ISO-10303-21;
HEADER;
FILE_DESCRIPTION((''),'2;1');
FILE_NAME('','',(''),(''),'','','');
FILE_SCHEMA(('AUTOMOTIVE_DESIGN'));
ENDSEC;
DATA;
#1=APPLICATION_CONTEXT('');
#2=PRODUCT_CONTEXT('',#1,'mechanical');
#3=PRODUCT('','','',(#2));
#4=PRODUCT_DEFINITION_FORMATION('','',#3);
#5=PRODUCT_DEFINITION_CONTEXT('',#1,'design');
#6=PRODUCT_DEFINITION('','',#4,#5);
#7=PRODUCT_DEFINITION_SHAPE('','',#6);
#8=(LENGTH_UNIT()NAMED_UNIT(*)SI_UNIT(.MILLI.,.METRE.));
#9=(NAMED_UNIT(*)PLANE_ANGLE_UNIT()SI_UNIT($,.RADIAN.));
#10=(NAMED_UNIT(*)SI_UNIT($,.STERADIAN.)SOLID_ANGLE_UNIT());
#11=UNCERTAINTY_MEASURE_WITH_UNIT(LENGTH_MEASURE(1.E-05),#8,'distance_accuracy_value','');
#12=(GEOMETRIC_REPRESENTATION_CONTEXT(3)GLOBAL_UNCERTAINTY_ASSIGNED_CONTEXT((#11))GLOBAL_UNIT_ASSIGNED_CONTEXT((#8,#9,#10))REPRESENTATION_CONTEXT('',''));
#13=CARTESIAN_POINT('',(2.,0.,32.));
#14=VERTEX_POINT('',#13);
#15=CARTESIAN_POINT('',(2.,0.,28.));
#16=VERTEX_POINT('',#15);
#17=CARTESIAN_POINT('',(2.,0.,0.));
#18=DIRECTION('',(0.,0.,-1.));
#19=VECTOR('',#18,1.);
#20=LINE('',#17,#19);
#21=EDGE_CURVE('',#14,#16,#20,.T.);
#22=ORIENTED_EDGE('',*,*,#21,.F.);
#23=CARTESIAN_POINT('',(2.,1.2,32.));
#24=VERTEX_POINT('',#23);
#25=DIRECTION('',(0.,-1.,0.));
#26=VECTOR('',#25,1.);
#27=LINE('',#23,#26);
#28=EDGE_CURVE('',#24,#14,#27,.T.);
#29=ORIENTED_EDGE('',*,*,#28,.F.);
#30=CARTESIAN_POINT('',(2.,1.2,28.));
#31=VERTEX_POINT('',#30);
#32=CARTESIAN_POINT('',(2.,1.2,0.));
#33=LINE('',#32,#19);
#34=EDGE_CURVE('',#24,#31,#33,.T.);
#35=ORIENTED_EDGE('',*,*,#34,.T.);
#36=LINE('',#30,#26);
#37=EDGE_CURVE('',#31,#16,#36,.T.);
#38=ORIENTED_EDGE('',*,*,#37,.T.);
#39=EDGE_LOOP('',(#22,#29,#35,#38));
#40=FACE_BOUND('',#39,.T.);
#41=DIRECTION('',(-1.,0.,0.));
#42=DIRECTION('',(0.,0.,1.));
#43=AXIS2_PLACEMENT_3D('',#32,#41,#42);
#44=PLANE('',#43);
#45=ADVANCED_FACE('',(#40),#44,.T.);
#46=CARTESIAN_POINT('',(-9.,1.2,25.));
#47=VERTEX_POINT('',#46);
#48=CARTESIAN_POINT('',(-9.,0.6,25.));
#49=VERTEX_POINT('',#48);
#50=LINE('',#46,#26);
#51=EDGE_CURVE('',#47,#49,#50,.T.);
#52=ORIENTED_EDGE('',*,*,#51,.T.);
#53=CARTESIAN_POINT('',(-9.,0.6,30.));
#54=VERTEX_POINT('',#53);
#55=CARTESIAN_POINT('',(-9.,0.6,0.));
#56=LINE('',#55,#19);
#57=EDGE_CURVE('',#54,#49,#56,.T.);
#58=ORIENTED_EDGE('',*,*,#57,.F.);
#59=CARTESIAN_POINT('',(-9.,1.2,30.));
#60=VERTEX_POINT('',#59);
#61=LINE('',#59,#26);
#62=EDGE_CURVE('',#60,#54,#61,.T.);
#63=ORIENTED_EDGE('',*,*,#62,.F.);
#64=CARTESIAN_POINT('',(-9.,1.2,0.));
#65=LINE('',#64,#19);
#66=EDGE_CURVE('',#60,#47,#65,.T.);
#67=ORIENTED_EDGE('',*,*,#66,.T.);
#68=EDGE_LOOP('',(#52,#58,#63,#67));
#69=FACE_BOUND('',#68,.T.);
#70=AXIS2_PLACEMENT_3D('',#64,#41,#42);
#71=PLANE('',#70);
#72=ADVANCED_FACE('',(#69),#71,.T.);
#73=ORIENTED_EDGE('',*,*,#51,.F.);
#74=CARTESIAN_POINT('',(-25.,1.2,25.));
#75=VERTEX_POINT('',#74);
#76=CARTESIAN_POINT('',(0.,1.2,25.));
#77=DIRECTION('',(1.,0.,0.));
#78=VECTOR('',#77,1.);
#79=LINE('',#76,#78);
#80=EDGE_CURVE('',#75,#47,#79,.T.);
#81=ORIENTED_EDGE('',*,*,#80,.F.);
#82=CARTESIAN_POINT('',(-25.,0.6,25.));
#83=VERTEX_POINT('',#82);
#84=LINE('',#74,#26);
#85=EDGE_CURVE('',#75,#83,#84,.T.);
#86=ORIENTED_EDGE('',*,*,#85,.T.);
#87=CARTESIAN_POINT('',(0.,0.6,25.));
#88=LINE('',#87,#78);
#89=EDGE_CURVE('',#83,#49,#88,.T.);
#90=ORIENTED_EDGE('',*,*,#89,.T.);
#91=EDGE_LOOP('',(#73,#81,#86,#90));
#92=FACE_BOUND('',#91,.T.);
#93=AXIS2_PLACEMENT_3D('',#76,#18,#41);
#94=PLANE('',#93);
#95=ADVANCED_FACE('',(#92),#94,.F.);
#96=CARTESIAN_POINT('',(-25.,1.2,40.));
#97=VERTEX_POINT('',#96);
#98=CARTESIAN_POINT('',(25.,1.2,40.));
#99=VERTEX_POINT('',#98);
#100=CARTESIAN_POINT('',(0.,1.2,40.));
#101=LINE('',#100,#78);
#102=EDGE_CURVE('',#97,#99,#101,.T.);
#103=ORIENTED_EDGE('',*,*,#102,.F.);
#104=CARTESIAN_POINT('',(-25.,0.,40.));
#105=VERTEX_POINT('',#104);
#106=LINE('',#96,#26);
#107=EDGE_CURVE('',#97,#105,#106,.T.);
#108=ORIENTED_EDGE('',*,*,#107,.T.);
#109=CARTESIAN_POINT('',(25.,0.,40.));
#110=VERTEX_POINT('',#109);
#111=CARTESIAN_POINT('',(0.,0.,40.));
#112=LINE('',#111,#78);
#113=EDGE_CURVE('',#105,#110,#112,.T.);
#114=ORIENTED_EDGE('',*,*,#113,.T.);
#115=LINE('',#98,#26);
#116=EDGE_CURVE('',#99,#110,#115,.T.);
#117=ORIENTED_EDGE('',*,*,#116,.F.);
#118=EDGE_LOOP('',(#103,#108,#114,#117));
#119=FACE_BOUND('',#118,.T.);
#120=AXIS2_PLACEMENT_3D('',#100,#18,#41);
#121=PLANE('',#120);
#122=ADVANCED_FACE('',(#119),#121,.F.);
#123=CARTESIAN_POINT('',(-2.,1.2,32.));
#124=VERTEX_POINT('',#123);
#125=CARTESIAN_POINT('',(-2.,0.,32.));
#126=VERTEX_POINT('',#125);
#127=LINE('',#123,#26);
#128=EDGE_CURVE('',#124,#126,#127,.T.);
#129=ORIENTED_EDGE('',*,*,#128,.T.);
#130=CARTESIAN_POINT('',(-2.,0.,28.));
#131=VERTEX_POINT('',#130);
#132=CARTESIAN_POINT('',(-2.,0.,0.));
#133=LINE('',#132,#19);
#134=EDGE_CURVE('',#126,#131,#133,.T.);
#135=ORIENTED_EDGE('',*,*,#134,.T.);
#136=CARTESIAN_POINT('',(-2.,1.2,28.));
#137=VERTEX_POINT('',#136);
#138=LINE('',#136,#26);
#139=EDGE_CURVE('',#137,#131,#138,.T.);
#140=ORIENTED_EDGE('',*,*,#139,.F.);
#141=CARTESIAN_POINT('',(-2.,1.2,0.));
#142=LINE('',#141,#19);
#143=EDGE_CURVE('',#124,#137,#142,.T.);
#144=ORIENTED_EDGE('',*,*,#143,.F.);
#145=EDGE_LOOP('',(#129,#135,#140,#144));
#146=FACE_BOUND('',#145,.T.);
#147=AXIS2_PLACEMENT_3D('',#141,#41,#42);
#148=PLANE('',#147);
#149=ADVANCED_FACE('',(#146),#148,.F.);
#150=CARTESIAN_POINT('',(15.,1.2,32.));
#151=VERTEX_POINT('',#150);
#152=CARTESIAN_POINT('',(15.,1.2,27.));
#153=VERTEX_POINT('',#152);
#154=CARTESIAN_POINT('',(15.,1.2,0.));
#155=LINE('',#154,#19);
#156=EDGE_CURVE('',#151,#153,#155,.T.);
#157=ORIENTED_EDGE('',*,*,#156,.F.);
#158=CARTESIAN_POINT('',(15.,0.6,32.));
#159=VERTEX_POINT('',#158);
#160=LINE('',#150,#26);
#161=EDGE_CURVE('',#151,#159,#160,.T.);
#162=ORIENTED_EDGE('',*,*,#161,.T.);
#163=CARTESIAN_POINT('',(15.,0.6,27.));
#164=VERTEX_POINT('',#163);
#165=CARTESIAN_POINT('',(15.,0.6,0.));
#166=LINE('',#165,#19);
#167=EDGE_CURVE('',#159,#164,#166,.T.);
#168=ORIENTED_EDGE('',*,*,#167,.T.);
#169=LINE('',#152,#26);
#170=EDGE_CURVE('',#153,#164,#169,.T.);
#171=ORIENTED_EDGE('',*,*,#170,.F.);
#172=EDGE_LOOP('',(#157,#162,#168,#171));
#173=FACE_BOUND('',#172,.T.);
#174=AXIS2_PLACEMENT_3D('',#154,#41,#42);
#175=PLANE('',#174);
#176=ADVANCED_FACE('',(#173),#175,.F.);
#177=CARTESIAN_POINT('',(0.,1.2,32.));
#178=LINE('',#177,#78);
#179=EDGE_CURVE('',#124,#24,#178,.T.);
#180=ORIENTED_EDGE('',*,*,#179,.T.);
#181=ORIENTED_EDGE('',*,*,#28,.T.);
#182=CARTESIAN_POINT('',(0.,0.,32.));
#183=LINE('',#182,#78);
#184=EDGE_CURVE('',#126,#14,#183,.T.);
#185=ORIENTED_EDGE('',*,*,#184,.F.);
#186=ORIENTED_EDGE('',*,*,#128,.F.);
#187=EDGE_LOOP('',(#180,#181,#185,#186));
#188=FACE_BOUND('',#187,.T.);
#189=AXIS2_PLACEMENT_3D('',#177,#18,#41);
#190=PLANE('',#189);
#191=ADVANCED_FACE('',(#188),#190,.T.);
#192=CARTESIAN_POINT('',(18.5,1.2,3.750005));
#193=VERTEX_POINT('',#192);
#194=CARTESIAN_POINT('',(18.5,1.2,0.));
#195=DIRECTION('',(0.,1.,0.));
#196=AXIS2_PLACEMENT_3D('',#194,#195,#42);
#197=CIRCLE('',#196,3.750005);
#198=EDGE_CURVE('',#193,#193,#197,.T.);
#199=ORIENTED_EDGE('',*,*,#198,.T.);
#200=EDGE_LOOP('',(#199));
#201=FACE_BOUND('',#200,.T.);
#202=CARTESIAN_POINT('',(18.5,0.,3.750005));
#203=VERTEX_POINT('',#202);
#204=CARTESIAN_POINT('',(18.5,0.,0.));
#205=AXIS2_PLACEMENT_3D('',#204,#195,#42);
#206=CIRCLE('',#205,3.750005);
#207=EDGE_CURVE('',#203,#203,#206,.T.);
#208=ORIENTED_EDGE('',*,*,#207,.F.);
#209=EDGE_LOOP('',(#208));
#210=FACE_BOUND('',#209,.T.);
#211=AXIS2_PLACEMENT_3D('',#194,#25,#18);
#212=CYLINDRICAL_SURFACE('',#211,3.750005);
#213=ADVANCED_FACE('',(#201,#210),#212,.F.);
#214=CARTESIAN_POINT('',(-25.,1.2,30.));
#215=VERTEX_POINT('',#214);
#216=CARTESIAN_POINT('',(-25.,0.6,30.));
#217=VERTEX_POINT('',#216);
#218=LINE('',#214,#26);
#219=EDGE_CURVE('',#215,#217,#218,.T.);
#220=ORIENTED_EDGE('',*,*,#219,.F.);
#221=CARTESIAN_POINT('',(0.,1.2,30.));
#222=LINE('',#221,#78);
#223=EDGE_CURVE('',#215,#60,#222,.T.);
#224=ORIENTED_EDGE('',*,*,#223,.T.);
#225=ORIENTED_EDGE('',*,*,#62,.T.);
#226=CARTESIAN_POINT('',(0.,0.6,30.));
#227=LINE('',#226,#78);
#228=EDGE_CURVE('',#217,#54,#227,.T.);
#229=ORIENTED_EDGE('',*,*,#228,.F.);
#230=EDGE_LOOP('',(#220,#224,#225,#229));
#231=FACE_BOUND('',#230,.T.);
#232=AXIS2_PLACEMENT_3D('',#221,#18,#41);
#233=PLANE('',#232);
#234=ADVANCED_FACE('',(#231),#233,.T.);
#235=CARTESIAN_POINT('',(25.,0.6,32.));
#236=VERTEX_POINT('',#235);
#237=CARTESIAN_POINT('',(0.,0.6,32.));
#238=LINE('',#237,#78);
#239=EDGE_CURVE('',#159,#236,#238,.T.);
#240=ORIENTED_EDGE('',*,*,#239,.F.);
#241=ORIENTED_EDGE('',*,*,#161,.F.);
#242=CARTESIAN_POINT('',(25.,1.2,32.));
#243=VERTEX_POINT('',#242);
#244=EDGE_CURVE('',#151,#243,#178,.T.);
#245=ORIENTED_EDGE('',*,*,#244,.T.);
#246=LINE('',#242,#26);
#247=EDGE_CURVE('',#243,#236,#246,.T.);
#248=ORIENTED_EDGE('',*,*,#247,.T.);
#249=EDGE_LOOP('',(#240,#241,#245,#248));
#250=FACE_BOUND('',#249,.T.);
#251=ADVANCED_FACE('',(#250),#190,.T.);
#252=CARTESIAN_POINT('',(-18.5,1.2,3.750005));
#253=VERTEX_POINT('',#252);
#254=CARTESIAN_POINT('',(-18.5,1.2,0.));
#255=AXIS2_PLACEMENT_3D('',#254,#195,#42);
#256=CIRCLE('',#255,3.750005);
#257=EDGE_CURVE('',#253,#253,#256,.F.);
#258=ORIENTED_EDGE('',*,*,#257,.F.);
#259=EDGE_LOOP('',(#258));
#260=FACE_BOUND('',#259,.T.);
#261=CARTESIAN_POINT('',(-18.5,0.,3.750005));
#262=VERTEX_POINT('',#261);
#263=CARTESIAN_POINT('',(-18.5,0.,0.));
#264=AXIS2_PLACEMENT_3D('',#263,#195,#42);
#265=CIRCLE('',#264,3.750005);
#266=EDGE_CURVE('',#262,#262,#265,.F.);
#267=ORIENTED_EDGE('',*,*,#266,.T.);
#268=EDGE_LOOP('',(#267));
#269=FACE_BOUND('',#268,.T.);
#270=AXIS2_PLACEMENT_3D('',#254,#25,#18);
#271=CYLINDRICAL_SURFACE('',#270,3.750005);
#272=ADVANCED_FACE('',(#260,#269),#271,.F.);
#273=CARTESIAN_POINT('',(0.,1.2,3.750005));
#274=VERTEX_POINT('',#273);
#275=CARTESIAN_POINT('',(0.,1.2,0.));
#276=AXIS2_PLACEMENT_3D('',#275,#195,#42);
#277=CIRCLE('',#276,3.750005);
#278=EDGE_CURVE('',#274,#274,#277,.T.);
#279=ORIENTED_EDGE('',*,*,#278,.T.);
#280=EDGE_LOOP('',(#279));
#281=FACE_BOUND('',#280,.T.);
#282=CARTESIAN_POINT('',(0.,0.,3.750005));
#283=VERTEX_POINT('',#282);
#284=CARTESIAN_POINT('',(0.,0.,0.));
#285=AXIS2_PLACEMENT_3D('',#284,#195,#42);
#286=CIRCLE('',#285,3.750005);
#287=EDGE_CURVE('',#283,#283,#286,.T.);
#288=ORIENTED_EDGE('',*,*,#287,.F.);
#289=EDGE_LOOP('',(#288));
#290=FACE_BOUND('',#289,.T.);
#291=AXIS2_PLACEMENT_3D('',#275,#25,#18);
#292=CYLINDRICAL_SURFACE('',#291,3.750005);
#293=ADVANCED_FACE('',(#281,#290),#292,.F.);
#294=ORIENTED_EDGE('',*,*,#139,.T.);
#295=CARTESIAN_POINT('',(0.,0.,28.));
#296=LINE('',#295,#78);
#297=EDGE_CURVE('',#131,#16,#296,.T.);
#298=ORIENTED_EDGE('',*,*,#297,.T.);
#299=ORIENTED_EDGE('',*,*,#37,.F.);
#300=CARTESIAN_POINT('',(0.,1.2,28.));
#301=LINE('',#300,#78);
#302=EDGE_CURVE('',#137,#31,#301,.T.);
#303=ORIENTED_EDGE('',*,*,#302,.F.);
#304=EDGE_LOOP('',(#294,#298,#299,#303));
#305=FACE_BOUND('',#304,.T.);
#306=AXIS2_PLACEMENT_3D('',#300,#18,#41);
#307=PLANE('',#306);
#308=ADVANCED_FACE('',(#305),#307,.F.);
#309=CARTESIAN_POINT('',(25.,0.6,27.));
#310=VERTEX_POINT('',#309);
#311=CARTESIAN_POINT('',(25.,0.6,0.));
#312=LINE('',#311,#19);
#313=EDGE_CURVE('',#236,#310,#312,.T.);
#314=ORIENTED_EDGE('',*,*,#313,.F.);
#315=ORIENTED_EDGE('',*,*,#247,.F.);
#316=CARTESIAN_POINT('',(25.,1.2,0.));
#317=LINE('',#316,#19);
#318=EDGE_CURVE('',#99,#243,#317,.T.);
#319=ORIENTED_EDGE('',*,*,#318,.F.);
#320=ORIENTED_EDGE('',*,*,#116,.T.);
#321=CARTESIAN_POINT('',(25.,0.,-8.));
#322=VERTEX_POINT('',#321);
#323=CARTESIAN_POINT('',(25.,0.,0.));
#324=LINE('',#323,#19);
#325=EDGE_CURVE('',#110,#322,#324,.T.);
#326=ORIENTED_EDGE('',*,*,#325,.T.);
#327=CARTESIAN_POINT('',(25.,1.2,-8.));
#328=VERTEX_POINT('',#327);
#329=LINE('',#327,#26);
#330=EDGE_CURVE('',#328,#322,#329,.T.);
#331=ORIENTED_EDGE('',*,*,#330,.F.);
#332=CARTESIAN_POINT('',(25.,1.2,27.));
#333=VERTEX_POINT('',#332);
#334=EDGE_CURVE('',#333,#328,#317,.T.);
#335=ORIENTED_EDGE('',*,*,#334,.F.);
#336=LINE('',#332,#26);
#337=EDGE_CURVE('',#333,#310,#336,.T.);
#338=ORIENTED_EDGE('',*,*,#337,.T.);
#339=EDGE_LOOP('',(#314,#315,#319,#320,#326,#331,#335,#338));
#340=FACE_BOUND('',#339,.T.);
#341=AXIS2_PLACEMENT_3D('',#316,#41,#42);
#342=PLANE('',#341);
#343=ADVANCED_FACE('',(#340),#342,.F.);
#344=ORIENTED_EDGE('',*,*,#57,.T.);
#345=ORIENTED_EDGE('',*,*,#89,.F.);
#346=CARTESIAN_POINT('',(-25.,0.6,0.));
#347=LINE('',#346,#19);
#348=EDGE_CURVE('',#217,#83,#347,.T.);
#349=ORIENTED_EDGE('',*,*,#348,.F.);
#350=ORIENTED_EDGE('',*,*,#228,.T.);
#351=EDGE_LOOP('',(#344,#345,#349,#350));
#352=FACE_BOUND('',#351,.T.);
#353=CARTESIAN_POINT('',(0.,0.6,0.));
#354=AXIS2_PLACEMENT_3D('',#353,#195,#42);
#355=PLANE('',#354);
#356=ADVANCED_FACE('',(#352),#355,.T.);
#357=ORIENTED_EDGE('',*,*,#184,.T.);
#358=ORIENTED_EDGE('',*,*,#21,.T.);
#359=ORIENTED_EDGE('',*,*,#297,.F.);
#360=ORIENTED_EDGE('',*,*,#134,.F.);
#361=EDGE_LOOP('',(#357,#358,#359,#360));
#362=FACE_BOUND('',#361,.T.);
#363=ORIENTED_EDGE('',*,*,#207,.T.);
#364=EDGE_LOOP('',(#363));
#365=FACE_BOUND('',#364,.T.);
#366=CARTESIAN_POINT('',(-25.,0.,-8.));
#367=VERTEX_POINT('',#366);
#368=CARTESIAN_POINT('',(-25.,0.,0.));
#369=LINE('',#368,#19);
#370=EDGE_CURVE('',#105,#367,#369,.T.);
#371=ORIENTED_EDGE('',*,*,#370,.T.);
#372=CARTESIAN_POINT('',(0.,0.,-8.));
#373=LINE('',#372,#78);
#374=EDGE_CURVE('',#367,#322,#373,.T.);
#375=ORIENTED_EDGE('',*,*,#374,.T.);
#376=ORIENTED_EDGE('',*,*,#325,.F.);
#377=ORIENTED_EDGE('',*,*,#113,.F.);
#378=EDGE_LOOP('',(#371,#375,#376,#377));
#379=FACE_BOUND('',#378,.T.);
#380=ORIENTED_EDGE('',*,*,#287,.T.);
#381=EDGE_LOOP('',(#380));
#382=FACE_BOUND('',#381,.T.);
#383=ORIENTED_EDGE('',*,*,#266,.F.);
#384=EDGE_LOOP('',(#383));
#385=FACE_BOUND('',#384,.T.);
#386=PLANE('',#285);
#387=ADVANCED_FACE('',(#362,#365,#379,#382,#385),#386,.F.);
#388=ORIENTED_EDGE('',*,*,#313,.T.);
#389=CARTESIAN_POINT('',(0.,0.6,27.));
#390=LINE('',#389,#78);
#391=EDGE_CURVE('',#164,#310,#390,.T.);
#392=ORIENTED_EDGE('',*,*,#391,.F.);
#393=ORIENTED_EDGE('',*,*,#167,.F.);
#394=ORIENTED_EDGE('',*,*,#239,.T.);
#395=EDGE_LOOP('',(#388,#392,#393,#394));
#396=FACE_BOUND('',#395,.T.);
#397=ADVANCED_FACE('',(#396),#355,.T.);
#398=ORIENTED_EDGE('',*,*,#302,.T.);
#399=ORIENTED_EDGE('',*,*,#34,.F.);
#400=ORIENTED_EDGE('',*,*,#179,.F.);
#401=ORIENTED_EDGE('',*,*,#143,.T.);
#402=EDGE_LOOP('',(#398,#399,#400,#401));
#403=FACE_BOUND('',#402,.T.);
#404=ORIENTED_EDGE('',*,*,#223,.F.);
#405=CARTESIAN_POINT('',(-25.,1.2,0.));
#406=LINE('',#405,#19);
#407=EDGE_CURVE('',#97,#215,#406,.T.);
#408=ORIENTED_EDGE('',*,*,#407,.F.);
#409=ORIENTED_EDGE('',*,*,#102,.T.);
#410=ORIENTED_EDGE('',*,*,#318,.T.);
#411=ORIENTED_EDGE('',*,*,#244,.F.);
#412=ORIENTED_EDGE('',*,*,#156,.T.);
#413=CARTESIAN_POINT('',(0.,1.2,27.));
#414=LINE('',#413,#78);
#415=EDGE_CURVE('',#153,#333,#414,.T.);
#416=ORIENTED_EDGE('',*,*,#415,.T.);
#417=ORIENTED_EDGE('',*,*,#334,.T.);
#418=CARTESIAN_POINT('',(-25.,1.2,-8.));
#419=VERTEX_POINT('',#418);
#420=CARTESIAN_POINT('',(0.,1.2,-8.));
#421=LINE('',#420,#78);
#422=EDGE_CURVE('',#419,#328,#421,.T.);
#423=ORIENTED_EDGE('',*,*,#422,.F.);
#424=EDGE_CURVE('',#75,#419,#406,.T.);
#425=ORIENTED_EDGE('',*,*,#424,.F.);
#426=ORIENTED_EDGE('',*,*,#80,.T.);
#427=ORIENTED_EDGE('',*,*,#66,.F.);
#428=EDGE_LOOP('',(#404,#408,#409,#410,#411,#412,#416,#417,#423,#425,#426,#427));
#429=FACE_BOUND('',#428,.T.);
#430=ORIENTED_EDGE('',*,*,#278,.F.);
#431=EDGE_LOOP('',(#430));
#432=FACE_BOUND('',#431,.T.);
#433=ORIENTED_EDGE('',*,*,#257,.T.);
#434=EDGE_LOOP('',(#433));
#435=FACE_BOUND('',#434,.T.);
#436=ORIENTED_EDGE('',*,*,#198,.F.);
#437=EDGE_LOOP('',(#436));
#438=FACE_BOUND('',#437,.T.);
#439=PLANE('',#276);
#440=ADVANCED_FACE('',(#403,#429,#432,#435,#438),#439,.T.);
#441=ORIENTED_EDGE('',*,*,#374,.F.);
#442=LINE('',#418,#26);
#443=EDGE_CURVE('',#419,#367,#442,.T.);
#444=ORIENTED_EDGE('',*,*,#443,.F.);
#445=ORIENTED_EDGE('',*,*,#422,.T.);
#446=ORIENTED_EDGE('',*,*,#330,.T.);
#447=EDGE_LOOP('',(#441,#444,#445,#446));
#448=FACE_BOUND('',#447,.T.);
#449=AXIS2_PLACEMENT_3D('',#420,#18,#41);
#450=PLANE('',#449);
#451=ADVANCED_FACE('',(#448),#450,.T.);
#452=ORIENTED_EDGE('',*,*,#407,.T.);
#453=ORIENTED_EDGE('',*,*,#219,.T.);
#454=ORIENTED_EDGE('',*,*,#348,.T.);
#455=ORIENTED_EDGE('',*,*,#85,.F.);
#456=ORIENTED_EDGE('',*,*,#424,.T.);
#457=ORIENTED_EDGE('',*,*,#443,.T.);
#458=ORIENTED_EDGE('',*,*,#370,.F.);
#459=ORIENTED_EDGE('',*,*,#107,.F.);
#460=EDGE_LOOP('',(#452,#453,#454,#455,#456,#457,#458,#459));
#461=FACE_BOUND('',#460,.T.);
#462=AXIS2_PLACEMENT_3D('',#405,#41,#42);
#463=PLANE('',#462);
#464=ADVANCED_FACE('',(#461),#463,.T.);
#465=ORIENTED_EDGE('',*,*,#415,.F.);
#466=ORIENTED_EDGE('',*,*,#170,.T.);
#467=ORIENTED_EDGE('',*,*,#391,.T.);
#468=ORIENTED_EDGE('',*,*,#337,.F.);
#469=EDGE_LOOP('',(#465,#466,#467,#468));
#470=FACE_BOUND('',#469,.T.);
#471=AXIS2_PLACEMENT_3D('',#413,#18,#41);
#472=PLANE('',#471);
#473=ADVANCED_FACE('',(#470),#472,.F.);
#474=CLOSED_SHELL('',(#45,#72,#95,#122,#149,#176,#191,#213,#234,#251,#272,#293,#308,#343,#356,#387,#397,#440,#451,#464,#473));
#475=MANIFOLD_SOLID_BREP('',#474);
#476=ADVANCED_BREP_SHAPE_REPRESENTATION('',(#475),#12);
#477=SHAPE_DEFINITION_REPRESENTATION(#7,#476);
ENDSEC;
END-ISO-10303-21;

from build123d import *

# Parameters (mm, degrees)
SKETCH1_W           = 4
SKETCH1_H           = 4
SKETCH1_R           = 3.7500052
BOSS_EXTRUDE1_DEPTH = 1.2
SKETCH1_5_W         = 16
SKETCH1_5_H         = 5
SKETCH1_5_W_2       = 10
BOSS_EXTRUDE3_DEPTH = 0.6


with BuildPart() as part:
    # Sketch1 → Boss-Extrude1 (new body)
    with BuildSketch(Plane(origin=(0, 0, 0), x_dir=(1, 0, 0), z_dir=(0, 1, 0))):
        Polygon((-25, -30), (-25, -40), (25, -40), (25, -32), (15, -32), (15, -27), (25, -27), (25, 8), (-25, 8), (-25, -25), (-9, -25), (-9, -30), align=None)
        with Locations((0, -30)):
            Rectangle(SKETCH1_W, SKETCH1_H, mode=Mode.SUBTRACT)
        with Locations((-18.5, 0)):
            Circle(SKETCH1_R, mode=Mode.SUBTRACT)
        Circle(SKETCH1_R, mode=Mode.SUBTRACT)
        with Locations((18.5, 0)):
            Circle(SKETCH1_R, mode=Mode.SUBTRACT)
    extrude(amount=BOSS_EXTRUDE1_DEPTH)

    # Sketch1<5> → Boss-Extrude3 (add)
    with BuildSketch(Plane(origin=(0, 0, 0), x_dir=(1, 0, 0), z_dir=(0, 1, 0))):
        with Locations((-17, -27.5)):
            Rectangle(SKETCH1_5_W, SKETCH1_5_H)
        with Locations((20, -29.5)):
            Rectangle(SKETCH1_5_W_2, SKETCH1_5_H)
    extrude(amount=BOSS_EXTRUDE3_DEPTH)


solid = part.part
